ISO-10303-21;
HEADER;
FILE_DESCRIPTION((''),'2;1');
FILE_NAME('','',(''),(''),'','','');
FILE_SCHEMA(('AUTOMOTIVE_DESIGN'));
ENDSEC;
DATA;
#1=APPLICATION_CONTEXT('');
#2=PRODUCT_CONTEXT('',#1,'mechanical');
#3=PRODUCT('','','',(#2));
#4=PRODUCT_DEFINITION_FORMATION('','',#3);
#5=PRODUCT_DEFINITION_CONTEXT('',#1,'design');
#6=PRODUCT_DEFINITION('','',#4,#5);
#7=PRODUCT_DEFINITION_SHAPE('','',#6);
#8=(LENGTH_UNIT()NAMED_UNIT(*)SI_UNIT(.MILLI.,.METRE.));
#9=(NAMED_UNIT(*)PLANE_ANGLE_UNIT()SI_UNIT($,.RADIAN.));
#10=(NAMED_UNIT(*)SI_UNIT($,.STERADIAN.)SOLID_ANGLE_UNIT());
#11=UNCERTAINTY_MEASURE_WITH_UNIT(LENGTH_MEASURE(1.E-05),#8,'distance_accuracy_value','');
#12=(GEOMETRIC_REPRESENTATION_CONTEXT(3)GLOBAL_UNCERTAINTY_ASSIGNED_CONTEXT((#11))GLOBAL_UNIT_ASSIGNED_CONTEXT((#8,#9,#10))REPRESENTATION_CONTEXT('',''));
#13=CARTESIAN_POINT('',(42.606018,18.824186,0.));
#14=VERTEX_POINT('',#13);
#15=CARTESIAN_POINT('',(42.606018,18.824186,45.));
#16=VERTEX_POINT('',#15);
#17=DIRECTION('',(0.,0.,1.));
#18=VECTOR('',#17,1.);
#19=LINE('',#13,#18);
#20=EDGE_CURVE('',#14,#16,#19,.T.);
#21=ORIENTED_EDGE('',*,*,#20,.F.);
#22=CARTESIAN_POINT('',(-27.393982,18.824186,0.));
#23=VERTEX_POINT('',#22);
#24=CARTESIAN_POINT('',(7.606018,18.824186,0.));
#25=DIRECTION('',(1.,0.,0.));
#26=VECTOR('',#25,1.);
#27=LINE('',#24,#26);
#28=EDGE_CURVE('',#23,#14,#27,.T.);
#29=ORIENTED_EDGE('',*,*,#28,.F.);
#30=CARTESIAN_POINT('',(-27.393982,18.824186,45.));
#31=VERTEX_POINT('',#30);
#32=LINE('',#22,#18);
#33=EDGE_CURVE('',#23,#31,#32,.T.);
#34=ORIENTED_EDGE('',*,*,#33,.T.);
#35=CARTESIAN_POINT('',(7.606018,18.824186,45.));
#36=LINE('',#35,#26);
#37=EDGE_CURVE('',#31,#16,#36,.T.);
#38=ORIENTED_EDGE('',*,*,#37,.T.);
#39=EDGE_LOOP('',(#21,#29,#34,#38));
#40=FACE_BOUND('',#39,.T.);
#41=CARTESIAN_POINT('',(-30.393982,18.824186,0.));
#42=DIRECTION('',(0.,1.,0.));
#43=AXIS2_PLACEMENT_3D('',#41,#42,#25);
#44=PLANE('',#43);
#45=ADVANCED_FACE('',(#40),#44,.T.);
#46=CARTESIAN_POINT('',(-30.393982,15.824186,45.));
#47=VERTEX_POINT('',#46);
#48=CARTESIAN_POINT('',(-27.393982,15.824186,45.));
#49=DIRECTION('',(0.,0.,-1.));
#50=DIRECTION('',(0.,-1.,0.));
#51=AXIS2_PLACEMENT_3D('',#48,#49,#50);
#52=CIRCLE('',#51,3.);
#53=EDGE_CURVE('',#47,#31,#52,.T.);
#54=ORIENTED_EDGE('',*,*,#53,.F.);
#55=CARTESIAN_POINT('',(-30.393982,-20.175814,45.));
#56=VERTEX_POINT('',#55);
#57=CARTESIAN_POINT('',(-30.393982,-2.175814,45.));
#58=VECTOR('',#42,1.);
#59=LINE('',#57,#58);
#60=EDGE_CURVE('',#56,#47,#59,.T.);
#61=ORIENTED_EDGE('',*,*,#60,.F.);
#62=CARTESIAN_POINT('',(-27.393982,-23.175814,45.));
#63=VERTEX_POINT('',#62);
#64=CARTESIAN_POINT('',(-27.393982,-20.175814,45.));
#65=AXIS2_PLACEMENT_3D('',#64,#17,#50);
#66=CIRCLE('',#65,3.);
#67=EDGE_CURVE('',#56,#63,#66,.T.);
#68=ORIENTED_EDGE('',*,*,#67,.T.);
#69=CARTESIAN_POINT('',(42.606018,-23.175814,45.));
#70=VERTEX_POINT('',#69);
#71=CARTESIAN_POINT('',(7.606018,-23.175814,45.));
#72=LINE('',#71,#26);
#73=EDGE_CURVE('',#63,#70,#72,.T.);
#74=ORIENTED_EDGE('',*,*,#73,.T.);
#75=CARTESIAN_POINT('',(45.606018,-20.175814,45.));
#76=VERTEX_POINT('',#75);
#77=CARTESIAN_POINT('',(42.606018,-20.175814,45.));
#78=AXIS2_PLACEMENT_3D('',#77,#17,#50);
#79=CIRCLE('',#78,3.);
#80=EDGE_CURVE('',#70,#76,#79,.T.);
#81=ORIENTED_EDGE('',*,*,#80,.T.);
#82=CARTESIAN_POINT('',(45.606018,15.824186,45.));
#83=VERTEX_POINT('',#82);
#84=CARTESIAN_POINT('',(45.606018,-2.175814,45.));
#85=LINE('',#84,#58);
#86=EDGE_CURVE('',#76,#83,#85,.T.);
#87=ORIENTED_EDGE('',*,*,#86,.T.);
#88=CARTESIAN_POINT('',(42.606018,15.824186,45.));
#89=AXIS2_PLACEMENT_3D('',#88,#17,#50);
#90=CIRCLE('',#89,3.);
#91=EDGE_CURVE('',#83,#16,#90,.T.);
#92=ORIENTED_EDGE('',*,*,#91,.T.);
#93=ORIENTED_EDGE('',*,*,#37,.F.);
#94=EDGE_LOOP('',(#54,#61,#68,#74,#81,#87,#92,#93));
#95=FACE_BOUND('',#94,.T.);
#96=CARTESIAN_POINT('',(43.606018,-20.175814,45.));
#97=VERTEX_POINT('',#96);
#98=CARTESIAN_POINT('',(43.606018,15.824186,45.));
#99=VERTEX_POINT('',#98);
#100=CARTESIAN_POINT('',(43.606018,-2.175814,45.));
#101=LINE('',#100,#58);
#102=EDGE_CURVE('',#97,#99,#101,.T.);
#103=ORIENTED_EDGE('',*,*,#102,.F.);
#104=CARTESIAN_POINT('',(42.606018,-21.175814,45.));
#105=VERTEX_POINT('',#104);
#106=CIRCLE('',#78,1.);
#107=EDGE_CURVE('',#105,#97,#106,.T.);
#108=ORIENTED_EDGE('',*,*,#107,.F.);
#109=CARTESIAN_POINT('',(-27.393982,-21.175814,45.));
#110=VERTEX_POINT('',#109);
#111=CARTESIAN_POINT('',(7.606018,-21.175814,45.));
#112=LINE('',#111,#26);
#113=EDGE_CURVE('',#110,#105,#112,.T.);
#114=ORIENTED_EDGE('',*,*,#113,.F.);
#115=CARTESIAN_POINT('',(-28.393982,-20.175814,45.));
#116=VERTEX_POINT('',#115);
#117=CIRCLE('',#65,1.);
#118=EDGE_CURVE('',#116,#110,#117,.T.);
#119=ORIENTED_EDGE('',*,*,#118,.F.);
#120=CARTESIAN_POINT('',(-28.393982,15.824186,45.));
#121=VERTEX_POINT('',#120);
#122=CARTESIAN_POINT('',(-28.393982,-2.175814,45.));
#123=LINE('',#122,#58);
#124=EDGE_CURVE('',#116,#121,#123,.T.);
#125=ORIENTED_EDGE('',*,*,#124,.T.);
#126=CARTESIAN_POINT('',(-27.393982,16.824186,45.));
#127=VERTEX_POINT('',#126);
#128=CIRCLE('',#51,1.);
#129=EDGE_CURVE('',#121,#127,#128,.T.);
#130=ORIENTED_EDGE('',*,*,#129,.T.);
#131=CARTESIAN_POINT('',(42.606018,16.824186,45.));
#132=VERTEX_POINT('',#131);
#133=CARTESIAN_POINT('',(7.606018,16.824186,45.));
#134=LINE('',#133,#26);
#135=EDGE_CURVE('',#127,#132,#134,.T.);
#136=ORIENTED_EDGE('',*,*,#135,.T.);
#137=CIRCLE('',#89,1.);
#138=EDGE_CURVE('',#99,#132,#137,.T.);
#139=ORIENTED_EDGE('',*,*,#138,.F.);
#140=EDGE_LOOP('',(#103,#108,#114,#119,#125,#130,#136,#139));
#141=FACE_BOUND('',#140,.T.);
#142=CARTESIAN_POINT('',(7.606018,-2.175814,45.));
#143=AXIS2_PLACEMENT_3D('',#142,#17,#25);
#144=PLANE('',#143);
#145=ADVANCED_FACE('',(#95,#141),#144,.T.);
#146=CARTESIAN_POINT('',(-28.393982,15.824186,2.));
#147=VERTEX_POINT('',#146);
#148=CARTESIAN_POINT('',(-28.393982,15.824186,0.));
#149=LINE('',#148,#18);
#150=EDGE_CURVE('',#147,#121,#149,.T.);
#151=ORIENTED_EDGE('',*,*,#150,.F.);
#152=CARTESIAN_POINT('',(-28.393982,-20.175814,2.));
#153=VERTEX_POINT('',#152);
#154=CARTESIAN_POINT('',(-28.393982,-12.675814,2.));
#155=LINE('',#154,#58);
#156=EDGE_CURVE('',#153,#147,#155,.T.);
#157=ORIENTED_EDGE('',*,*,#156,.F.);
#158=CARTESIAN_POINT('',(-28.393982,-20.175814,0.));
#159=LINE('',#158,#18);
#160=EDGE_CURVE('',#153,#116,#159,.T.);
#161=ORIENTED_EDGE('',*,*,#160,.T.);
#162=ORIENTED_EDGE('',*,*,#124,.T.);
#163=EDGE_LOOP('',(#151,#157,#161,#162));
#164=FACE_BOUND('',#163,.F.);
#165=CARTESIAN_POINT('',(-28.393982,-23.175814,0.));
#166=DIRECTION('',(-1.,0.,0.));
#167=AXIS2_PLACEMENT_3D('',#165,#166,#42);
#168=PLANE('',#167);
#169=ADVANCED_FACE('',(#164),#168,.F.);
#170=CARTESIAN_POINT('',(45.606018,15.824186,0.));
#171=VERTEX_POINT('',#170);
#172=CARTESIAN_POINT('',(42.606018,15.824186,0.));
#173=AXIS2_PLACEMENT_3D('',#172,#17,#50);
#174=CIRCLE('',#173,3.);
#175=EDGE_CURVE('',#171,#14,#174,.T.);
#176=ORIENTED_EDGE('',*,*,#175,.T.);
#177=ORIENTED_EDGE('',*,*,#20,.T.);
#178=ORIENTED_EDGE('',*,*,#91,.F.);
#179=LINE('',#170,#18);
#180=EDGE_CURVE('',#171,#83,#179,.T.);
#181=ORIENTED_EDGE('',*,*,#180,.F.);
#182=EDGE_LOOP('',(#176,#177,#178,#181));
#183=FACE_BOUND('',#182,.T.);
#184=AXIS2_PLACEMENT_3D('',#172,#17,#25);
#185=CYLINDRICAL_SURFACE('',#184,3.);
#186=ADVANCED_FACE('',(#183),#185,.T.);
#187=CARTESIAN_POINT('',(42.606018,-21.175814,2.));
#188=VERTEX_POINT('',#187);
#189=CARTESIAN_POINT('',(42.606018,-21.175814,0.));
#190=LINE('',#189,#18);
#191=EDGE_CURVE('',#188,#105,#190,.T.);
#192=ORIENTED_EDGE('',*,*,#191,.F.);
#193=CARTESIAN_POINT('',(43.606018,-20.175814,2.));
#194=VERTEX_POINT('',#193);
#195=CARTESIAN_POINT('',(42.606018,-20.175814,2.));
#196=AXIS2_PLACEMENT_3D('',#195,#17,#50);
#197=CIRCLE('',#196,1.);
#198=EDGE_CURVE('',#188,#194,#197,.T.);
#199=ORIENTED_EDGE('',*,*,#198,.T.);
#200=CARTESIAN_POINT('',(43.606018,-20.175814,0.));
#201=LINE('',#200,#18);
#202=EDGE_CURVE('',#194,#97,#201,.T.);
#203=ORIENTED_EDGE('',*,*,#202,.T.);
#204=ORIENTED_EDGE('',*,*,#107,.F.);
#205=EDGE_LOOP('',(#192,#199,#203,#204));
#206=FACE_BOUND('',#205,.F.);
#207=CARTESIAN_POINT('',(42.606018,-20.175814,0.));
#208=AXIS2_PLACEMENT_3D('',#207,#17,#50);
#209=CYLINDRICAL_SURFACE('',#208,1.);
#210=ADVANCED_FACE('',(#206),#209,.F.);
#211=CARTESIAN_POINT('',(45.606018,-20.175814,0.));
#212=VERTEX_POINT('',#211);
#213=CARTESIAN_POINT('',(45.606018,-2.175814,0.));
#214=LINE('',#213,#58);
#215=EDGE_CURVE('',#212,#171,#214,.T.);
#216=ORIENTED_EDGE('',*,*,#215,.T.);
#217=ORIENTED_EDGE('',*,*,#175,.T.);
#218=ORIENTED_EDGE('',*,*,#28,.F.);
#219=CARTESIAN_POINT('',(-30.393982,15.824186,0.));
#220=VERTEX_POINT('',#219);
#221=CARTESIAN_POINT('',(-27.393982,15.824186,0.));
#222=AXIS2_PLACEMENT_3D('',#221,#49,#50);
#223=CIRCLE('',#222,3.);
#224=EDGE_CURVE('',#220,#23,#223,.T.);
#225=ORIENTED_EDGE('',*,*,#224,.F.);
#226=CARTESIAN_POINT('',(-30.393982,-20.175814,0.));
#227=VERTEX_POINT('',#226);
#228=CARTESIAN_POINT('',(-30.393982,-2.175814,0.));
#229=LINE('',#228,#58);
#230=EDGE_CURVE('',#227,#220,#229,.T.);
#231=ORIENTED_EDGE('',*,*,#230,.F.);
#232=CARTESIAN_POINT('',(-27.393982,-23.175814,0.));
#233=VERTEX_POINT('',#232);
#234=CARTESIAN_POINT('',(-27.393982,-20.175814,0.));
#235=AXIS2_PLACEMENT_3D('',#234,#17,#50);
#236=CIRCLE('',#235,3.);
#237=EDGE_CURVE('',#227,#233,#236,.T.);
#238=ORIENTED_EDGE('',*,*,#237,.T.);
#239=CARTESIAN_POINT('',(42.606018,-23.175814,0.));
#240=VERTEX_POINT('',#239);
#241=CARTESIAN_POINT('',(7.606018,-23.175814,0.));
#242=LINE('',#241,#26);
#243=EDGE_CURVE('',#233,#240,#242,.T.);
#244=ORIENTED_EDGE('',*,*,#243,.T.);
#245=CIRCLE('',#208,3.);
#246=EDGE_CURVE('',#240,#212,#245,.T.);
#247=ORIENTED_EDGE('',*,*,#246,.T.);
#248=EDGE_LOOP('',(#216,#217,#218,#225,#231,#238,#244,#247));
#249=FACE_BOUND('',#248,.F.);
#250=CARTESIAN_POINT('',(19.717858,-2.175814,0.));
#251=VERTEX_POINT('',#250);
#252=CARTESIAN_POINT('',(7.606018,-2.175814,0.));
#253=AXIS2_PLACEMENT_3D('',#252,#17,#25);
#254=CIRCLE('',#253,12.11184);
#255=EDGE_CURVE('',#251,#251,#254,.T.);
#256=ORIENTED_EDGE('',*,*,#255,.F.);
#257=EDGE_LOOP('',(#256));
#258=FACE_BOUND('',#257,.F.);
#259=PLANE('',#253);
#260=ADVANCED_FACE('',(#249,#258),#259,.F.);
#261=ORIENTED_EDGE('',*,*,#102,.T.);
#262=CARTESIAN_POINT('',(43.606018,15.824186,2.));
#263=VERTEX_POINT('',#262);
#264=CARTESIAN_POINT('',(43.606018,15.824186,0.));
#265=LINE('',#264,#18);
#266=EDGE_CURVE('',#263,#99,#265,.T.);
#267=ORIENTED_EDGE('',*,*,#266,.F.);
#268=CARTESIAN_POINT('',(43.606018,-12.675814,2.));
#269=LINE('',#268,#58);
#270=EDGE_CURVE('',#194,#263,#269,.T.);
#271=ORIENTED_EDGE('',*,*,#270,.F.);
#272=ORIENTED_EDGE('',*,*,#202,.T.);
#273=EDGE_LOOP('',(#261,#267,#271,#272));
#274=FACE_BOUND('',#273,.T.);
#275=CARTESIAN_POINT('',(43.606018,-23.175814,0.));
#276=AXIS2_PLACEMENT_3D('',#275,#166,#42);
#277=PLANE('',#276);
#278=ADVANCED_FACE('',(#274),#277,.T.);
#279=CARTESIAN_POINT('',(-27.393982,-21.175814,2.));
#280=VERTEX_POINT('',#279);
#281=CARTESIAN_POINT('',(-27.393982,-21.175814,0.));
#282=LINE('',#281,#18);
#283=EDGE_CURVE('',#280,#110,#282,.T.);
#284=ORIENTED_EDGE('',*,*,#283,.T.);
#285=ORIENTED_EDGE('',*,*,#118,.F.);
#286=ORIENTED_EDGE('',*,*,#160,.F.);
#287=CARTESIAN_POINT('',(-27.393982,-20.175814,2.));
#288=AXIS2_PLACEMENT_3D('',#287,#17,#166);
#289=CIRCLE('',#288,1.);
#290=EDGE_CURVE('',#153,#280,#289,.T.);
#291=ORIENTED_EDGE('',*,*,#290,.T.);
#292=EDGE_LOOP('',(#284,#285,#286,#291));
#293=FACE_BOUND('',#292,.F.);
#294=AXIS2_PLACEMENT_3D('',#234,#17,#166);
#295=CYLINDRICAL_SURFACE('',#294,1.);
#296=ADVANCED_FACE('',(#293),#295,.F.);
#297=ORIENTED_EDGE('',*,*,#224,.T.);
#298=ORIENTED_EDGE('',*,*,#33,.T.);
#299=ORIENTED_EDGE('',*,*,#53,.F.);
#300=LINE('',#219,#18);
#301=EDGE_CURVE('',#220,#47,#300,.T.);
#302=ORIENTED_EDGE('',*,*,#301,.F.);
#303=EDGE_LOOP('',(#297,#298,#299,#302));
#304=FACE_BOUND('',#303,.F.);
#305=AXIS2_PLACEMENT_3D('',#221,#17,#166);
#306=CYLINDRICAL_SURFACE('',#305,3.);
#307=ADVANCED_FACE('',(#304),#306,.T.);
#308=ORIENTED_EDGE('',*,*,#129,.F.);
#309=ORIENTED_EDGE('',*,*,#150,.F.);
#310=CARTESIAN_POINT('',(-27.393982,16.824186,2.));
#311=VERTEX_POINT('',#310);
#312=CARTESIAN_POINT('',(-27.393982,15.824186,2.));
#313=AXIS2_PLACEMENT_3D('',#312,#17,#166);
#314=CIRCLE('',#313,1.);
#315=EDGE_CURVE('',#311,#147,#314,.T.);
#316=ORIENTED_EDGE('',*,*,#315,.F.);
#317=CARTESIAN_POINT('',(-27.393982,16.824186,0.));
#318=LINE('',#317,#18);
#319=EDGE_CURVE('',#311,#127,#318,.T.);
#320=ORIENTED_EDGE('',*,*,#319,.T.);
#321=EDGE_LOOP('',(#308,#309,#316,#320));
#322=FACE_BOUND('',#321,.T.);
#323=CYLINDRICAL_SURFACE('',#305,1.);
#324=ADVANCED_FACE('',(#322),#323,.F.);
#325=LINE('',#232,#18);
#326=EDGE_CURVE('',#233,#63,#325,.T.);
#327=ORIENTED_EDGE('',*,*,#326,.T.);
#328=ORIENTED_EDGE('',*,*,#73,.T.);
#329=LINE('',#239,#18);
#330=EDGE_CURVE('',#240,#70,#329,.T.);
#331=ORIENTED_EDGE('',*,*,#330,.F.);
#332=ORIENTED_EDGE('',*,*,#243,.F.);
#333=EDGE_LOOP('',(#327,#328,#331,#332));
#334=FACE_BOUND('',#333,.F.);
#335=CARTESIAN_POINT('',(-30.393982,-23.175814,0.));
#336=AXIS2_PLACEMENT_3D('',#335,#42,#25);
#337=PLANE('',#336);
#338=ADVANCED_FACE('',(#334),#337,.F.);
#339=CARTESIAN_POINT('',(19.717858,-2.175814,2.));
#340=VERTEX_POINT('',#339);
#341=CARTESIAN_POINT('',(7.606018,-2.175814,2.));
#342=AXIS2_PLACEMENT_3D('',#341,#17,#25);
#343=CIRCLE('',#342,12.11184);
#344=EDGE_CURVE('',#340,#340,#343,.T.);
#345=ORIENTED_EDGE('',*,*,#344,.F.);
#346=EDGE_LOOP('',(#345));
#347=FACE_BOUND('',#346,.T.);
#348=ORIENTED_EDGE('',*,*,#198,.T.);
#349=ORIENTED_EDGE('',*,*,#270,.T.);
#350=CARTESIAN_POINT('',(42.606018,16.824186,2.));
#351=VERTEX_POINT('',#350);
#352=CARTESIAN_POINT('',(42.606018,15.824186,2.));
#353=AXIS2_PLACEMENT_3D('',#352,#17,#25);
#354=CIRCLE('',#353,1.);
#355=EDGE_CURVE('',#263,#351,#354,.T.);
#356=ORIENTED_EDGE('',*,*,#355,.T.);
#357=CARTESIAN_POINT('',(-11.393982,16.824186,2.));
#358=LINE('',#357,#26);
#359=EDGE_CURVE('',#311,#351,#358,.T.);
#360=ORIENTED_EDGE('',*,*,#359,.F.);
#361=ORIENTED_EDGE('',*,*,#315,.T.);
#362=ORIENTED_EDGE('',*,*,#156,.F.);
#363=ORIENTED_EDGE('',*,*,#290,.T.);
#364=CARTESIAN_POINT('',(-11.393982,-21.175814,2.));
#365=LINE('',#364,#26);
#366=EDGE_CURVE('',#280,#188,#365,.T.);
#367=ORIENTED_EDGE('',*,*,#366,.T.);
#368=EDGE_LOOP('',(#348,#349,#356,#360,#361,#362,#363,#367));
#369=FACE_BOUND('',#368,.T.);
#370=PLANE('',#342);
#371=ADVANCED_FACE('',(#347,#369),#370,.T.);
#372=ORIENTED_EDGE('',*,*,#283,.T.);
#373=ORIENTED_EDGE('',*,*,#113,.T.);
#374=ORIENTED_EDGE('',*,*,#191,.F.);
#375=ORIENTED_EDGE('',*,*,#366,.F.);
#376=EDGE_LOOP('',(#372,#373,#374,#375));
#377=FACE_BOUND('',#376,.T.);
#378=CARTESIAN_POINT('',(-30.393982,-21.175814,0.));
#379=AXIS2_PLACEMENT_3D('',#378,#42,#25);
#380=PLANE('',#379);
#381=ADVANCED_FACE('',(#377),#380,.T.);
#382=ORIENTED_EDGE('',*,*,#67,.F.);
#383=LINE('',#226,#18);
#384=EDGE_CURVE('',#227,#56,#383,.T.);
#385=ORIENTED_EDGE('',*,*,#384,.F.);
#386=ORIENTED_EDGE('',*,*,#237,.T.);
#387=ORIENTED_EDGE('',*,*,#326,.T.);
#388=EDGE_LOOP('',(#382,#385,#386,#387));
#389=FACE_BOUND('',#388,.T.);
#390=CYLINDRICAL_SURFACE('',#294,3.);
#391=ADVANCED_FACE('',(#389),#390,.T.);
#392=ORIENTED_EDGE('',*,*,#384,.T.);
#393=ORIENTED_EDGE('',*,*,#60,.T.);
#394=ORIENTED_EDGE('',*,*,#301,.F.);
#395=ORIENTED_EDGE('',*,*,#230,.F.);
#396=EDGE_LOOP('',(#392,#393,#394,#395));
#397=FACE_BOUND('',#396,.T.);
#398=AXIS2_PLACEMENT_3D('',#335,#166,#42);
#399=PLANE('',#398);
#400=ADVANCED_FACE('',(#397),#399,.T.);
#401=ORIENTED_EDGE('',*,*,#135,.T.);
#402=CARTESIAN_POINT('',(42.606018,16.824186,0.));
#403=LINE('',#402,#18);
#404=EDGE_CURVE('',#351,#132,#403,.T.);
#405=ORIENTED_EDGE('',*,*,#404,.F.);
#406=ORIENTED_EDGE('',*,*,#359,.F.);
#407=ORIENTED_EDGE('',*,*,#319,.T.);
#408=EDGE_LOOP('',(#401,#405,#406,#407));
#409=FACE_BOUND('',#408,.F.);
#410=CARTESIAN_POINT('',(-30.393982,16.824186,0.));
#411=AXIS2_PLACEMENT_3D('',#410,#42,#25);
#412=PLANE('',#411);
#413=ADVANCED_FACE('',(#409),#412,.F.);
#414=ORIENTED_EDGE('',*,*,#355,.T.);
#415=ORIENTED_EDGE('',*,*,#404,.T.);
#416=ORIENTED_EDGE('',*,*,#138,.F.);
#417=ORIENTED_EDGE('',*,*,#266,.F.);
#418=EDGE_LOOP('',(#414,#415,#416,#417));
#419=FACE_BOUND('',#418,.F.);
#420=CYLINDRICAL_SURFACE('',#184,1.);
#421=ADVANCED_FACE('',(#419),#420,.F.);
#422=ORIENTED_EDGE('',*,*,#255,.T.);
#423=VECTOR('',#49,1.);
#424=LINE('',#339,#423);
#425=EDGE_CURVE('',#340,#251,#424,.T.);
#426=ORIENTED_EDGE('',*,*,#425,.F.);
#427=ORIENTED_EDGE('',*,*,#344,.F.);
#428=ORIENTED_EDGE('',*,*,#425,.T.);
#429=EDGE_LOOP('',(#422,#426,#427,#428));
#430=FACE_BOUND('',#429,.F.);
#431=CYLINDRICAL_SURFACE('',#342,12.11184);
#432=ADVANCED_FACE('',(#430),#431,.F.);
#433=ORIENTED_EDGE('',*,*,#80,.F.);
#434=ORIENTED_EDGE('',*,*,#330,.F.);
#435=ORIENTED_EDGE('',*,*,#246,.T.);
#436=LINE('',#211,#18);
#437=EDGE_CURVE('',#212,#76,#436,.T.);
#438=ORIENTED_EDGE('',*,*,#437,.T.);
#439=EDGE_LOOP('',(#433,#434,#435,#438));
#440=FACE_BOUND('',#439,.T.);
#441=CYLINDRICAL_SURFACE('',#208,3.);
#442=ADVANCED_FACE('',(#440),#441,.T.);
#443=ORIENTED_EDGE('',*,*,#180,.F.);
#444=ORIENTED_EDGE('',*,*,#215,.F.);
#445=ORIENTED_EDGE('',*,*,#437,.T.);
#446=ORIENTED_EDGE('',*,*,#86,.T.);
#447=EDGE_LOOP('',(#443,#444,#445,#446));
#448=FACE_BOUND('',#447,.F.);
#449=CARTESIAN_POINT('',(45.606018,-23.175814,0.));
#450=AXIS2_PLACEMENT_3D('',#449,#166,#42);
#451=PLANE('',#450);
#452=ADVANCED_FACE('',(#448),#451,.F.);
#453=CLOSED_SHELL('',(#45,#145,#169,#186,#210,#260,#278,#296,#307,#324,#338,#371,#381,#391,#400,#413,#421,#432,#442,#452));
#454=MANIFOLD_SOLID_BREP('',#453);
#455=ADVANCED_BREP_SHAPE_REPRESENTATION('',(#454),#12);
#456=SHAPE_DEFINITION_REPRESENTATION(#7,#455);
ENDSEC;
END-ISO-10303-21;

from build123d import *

# Parameters (mm, degrees)
F0_W     = 76
F0_H     = 42
F1_DEPTH = 45
F2_R     = 3
F3_T     = -2
F4_R     = 12.11184
F5_DEPTH = 25


with BuildPart() as f1:
    # F0 (on Top) → F1 (new body)
    with BuildSketch(Plane.XY):
        with Locations((7.606018, -2.175814)):
            Rectangle(F0_W, F0_H)
    extrude(amount=F1_DEPTH)

    # F2
    f2_edges = [f1.edges().sort_by_distance(p)[0] for p in [
        (-30.393982, -23.175814, 22.5),
        (-30.393982, 18.824186, 22.5),
        (45.606018, -23.175814, 22.5),
        (45.606018, 18.824186, 22.5),
    ]]
    fillet(f2_edges, radius=F2_R)

    # F3
    f3_openings = [f1.faces().sort_by_distance(p)[0] for p in [
        (7.606018, -2.175814, 45),
    ]]
    offset(amount=F3_T, openings=f3_openings)

    # F4 (on face) → F5 (cut)
    with BuildSketch(Plane.XY.offset(2)):
        with Locations((7.606018, -2.175814)):
            Circle(F4_R)
    extrude(amount=-F5_DEPTH, mode=Mode.SUBTRACT)


solid = f1.part
